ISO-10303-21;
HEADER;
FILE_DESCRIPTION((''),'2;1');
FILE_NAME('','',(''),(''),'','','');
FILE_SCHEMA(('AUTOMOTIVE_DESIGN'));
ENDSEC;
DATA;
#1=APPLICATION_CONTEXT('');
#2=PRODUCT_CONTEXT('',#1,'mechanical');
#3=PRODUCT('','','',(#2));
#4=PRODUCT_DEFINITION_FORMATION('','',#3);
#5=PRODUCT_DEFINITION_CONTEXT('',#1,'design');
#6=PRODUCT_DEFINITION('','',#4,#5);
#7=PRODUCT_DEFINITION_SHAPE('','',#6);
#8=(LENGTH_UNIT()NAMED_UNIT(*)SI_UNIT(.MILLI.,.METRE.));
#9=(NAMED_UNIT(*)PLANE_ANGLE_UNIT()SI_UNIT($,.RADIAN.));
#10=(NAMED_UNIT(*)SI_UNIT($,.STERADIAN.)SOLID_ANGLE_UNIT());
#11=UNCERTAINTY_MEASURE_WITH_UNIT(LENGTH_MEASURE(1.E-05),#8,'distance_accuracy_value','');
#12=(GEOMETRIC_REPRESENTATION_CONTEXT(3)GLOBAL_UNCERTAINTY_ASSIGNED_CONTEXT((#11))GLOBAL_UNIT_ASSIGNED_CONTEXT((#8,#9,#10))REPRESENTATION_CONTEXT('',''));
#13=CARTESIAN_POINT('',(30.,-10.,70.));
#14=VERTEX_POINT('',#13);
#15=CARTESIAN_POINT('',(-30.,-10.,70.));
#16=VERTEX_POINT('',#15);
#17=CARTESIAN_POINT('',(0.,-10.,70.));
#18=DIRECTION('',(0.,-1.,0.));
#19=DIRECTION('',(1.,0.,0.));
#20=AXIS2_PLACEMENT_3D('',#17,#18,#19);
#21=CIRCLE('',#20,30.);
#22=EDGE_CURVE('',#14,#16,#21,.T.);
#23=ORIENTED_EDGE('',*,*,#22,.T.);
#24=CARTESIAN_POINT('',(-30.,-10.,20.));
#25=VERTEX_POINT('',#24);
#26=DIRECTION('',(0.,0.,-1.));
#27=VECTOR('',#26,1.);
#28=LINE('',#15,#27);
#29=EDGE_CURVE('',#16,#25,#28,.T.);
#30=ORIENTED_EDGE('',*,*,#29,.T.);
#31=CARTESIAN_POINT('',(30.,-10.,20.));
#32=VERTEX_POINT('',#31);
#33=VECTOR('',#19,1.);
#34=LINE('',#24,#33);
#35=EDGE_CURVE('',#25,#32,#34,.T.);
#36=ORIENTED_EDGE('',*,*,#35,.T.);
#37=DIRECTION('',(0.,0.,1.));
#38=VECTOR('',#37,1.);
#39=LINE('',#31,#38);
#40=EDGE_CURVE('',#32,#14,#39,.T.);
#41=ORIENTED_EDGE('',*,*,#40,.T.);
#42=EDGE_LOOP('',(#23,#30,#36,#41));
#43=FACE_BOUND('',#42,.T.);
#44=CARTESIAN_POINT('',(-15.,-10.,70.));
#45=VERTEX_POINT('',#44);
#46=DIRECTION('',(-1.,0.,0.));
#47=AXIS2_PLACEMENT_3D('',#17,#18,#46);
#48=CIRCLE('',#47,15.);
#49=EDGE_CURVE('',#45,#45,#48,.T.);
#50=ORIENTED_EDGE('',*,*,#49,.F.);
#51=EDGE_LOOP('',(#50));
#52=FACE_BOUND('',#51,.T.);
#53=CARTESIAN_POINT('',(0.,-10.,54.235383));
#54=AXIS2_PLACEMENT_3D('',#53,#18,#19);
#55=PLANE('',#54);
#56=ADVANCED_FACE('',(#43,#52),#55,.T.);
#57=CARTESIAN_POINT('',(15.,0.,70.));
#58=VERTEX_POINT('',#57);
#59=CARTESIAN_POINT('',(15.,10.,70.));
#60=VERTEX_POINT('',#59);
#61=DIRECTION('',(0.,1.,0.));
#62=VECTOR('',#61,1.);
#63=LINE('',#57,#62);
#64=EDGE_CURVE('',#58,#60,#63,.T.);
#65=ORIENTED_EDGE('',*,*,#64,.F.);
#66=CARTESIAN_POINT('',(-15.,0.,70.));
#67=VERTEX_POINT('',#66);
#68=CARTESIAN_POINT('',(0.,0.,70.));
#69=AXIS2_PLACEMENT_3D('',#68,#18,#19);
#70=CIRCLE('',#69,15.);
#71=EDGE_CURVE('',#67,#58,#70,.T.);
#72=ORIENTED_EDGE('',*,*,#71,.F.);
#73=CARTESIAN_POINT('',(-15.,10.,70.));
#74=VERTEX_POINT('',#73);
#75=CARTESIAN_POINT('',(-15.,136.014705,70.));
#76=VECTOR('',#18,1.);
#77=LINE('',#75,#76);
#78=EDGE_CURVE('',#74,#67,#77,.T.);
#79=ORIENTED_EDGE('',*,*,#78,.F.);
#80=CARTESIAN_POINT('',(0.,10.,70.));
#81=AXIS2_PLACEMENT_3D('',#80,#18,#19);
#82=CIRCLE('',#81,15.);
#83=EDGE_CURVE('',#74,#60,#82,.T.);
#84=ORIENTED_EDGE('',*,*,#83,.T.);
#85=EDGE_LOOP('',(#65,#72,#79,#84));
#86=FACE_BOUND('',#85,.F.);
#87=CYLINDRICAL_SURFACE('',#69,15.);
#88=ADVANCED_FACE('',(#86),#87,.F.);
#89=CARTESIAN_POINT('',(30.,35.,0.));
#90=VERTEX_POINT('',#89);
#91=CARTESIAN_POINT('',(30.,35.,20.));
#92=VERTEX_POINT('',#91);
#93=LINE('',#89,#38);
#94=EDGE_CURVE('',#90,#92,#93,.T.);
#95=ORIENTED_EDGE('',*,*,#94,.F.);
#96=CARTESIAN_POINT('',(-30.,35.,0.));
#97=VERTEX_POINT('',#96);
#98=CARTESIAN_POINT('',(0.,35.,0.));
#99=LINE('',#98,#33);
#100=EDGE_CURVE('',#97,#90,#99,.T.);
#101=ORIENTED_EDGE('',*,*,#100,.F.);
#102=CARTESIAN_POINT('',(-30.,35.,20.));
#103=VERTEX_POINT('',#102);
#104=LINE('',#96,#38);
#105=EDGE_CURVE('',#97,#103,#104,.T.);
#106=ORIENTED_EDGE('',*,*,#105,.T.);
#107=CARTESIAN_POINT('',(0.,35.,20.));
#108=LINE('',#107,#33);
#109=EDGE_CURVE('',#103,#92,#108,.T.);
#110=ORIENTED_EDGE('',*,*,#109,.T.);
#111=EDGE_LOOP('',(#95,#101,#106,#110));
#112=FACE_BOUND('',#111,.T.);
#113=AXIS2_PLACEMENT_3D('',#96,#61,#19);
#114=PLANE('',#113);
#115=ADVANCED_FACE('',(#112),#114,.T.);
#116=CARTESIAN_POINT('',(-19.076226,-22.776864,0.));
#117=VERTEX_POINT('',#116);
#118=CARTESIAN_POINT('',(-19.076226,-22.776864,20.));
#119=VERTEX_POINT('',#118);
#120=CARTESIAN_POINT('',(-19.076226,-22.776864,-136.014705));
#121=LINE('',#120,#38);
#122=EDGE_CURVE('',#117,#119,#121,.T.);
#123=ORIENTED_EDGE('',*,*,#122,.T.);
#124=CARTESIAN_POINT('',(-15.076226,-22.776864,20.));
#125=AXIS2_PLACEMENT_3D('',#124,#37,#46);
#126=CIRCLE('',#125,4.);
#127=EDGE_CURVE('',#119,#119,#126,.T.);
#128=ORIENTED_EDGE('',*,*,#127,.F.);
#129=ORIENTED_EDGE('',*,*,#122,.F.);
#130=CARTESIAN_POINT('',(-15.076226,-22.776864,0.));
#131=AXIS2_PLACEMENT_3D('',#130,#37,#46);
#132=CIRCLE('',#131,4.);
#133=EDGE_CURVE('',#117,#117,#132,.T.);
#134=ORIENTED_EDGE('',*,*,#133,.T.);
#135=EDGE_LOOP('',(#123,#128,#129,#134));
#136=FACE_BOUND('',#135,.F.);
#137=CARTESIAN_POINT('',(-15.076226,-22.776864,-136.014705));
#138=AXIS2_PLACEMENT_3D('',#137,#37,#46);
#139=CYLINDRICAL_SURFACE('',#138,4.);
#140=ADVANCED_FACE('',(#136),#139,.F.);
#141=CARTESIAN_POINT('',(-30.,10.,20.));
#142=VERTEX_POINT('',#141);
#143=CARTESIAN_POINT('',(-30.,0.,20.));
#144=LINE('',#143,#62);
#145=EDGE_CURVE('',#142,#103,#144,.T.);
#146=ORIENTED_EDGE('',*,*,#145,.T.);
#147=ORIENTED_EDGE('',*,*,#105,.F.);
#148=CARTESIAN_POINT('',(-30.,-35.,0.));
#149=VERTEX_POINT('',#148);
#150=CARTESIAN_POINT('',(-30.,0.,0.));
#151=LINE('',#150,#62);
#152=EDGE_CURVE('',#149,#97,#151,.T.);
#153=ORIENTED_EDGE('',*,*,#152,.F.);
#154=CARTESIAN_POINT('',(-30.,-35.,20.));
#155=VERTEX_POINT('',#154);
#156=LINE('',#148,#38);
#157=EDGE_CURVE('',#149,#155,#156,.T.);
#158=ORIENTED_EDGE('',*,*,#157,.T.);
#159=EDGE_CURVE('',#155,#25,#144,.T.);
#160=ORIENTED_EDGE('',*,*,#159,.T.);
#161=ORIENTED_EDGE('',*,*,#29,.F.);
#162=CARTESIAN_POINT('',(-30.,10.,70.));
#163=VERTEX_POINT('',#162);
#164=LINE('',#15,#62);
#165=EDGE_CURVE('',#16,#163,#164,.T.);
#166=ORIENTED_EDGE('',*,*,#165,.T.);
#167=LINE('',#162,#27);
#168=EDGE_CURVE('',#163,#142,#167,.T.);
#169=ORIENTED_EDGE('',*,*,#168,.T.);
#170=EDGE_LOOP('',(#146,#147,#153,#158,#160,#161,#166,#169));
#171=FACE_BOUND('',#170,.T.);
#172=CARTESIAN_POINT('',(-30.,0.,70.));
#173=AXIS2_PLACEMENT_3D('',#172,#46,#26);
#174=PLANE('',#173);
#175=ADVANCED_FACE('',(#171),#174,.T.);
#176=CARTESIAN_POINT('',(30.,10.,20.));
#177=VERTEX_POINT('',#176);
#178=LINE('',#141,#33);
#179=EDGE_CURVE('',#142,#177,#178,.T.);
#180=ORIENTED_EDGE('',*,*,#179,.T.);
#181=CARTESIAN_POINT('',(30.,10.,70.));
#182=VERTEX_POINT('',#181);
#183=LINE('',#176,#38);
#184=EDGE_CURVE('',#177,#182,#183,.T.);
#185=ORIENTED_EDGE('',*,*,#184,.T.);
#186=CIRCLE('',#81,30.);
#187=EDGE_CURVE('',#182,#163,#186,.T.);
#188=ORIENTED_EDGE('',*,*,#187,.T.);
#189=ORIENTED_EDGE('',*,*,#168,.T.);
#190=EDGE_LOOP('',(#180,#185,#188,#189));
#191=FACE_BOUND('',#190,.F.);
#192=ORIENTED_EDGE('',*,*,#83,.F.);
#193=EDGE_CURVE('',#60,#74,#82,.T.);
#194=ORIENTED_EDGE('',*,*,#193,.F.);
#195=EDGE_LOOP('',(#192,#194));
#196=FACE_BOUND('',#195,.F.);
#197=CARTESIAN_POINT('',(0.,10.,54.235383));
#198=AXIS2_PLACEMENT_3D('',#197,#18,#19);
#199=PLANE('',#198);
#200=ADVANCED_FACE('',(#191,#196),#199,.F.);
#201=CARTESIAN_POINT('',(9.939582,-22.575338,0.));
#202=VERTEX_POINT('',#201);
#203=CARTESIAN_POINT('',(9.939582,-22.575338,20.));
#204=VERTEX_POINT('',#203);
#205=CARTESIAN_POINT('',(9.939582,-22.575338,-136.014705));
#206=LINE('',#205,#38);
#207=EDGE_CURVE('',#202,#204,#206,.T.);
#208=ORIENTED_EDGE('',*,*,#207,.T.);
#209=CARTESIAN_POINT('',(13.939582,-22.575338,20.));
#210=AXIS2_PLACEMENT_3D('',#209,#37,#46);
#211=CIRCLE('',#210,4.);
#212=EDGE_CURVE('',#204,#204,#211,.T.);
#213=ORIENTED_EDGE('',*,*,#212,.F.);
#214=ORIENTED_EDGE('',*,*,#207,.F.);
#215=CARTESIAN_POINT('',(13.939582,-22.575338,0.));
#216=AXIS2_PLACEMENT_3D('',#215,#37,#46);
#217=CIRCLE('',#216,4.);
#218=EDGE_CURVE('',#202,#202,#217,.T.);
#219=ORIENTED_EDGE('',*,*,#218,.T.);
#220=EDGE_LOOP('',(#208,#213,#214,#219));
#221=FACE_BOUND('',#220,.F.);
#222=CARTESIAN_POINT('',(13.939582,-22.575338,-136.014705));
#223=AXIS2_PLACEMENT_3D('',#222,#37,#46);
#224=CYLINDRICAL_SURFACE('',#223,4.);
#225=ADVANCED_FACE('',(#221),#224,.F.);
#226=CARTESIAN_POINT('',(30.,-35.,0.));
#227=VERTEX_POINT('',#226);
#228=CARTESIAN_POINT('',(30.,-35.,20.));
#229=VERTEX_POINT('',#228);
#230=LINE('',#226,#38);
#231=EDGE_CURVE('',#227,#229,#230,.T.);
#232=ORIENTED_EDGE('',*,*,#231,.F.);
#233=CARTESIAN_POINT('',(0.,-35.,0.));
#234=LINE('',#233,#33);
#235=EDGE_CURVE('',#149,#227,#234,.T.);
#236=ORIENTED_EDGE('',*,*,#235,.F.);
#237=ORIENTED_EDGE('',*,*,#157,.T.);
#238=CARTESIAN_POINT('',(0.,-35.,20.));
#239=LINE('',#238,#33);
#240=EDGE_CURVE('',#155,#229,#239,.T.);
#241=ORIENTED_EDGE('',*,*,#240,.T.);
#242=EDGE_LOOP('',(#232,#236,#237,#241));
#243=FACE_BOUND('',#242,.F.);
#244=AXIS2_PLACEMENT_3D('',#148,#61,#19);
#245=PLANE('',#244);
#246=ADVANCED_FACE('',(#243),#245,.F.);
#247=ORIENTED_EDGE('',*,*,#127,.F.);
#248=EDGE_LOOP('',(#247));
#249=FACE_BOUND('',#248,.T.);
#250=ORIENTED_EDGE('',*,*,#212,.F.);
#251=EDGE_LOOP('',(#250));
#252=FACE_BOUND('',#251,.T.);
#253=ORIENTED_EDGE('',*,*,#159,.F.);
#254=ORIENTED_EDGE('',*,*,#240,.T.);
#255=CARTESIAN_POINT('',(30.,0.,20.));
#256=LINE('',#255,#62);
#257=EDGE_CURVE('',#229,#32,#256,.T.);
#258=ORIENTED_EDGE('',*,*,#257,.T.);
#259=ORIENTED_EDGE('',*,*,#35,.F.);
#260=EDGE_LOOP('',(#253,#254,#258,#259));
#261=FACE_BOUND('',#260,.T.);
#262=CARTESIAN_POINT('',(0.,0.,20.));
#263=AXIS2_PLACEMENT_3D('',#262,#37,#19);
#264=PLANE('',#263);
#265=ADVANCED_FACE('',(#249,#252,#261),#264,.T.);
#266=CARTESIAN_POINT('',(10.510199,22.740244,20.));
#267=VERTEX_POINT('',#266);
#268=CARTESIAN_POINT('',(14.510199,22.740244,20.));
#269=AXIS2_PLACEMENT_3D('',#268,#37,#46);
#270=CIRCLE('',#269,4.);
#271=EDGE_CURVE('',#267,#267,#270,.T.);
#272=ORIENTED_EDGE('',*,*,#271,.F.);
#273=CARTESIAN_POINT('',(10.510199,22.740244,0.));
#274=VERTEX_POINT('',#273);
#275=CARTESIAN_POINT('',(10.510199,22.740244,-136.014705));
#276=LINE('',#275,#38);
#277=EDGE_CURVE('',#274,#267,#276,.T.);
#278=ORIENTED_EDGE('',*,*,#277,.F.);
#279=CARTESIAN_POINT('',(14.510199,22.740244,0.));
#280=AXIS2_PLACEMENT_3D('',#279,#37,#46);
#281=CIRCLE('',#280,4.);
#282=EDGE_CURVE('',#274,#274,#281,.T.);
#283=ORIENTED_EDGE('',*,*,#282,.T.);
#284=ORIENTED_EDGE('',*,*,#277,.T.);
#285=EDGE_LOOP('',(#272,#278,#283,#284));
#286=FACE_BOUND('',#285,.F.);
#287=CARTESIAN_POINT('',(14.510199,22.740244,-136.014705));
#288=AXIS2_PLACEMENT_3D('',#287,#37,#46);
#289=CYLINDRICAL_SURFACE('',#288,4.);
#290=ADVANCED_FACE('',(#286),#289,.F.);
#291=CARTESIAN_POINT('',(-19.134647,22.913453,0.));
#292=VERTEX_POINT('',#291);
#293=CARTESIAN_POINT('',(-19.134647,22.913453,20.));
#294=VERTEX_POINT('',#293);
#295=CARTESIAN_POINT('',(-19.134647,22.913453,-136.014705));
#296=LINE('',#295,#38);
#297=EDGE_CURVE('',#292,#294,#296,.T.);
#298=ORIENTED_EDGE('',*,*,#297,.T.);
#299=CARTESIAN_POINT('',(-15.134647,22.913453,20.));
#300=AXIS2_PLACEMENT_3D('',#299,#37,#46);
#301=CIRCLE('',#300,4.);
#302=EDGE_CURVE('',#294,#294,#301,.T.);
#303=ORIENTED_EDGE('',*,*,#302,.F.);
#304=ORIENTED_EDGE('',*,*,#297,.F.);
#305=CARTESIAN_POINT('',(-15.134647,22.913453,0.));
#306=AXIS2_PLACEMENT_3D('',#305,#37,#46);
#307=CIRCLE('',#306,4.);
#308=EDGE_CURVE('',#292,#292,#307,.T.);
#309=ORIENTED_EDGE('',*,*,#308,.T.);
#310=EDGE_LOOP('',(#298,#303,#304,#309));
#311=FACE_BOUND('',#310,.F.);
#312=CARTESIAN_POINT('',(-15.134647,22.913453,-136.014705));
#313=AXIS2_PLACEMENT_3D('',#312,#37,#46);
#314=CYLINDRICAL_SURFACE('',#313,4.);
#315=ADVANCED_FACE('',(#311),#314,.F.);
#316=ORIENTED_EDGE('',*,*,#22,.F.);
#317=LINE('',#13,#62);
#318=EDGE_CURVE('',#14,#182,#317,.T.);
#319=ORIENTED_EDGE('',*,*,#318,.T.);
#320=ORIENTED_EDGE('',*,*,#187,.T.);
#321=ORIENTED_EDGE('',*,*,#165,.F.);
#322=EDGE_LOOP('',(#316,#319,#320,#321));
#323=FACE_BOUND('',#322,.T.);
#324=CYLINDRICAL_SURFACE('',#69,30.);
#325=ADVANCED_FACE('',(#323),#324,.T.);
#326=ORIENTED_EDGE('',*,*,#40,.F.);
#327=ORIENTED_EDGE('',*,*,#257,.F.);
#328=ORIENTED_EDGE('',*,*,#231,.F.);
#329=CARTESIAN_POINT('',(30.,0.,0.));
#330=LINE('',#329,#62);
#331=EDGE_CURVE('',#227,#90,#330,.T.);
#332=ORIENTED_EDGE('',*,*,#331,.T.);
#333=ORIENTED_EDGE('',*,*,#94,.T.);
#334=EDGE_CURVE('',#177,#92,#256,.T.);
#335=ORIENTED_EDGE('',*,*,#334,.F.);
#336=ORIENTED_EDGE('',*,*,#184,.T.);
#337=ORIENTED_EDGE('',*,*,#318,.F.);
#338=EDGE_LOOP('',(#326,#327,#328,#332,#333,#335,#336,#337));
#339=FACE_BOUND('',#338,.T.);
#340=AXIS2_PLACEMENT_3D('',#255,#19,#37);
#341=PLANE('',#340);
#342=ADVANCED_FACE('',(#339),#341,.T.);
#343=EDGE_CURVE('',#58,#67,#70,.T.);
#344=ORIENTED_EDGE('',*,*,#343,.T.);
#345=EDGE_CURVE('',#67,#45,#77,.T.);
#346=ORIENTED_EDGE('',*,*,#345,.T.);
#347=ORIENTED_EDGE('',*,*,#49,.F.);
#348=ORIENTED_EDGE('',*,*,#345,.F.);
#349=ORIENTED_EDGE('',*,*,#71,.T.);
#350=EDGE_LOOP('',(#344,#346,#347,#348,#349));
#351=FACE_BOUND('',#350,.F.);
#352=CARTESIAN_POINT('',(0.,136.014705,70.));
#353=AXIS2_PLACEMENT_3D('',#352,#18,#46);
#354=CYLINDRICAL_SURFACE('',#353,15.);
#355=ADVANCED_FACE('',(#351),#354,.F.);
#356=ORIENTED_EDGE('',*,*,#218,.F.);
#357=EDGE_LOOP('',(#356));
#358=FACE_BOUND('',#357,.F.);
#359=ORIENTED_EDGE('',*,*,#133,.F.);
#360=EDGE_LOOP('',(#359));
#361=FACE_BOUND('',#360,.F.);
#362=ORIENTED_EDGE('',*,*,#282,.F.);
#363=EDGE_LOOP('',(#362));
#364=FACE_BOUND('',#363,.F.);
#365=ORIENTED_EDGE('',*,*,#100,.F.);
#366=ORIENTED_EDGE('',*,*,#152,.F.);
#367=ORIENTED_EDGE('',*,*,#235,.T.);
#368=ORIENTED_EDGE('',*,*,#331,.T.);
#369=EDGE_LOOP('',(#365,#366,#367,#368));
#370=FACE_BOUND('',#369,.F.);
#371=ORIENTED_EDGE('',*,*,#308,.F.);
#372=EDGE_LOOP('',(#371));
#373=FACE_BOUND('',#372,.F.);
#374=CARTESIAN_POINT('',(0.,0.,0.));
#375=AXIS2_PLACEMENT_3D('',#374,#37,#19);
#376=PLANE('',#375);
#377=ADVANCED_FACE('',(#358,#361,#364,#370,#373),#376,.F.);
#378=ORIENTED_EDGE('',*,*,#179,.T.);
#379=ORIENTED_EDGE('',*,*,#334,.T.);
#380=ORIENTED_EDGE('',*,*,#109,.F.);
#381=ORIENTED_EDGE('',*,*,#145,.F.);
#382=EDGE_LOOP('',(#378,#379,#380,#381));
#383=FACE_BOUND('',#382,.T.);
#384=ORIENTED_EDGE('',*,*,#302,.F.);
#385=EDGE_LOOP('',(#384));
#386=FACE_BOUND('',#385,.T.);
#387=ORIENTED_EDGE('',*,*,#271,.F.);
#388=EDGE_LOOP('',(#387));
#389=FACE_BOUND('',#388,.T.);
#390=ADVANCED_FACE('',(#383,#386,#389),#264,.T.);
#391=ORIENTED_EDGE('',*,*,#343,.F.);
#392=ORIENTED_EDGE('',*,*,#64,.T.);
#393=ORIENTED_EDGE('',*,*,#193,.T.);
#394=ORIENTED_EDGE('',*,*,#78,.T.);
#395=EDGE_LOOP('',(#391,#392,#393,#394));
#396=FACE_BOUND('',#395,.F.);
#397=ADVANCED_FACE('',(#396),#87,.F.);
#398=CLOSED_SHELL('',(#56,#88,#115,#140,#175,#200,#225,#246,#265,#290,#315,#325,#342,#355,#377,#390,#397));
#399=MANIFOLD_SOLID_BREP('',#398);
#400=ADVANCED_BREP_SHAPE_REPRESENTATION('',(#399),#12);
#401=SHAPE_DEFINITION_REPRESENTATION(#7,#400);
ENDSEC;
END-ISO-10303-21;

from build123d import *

# Parameters (mm, degrees)
F0_W          = 60
F0_H          = 70
F1_DEPTH      = 20
F3_DEPTH      = 10
F3_DEPTH_BACK = 10
F4_D          = 30
F4_DEPTH      = 35.001
F5_D          = 30
F7_D          = 8
F9_D          = 8
F11_D         = 8
F13_D         = 8


with BuildPart() as f1:
    # F0 (on Top) → F1 (new body)
    with BuildSketch(Plane.XY):
        Rectangle(F0_W, F0_H)
    extrude(amount=F1_DEPTH)

    # F2 (on Front) → F3 (join, two sides)
    with BuildSketch(Plane.XZ) as f3_sk:
        with BuildLine():
            Line((-30, 70), (-30, 20))
            Line((-30, 20), (30, 20))
            Line((30, 20), (30, 70))
            ThreePointArc((30, 70), (0, 100), (-30, 70))
        make_face()
    extrude(amount=F3_DEPTH)
    extrude(f3_sk.sketch, amount=-F3_DEPTH_BACK)

    # F4 (through all, one way)
    with BuildSketch(Plane.XZ):
        with Locations((0, 70)):
            Circle(F4_D / 2)
    extrude(amount=-F4_DEPTH, mode=Mode.SUBTRACT)

    # F5 (through all)
    with Locations(Plane(origin=(0, 0, 0), x_dir=(1, 0, 0), z_dir=(0, 1, 0))):
        with Locations((0, -70)):
            Hole(F5_D / 2)

    # F7 (through all)
    with Locations(Plane(origin=(0, 0, 0), x_dir=(1, 0, 0), z_dir=(0, 0, -1))):
        with Locations((-15.0762257692, 22.7768636146)):
            Hole(F7_D / 2)

    # F9 (through all)
    with Locations(Plane(origin=(0, 0, 0), x_dir=(1, 0, 0), z_dir=(0, 0, -1))):
        with Locations((13.9395821379, 22.5753379162)):
            Hole(F9_D / 2)

    # F11 (through all)
    with Locations(Plane(origin=(0, 0, 0), x_dir=(1, 0, 0), z_dir=(0, 0, -1))):
        with Locations((14.5101989083, -22.7402444433)):
            Hole(F11_D / 2)

    # F13 (through all)
    with Locations(Plane(origin=(0, 0, 0), x_dir=(1, 0, 0), z_dir=(0, 0, -1))):
        with Locations((-15.1346469246, -22.9134526099)):
            Hole(F13_D / 2)


solid = f1.part
